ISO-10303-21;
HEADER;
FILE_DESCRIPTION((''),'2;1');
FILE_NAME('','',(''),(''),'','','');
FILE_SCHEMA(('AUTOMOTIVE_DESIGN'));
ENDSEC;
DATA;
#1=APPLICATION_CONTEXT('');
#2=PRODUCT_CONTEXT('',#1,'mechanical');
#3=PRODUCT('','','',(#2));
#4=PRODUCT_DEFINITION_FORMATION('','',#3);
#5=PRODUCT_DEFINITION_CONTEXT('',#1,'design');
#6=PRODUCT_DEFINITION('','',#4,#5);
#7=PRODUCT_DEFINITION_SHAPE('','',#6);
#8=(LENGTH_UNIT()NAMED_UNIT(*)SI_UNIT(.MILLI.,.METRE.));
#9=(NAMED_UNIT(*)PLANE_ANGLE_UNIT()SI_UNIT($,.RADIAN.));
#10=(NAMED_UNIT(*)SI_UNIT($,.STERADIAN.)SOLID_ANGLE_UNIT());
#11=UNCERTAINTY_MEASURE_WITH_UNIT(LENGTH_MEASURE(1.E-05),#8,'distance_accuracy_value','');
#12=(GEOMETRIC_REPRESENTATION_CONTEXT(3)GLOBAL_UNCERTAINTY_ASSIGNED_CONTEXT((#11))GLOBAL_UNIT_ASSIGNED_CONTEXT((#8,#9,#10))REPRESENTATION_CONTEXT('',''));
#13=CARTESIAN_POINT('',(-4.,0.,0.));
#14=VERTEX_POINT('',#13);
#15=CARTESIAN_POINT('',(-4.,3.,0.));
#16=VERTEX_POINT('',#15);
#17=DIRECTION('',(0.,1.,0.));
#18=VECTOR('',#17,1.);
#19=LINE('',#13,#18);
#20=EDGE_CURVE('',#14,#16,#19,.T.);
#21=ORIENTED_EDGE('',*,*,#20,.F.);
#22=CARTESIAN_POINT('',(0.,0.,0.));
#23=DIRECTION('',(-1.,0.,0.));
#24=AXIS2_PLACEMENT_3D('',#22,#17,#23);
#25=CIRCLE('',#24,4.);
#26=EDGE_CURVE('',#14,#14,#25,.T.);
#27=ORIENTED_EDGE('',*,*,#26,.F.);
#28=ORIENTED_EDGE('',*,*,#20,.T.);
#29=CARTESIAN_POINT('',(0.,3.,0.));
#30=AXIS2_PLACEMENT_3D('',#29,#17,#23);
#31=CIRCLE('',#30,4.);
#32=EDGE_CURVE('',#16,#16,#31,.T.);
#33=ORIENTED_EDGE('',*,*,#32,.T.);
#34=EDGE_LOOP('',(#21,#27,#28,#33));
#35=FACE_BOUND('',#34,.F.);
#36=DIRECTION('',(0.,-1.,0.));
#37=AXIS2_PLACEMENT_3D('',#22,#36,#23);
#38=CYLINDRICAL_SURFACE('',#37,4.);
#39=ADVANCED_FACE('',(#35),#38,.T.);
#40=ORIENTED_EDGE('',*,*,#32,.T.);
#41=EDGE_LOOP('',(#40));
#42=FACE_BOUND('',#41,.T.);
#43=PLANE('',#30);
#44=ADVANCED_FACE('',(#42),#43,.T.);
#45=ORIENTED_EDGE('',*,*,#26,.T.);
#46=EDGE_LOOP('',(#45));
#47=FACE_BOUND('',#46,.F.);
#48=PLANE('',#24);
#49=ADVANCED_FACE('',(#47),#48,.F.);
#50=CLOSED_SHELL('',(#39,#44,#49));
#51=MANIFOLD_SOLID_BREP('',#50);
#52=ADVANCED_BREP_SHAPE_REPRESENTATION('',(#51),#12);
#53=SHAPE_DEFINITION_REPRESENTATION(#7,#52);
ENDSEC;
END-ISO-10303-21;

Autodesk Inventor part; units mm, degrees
ref_plane "YZ Plane" through (0, 0, 0) normal (1, 0, 0) x (0, 1, 0)
ref_plane "XZ Plane" through (0, 0, 0) normal (0, 1, 0) x (-1, 0, 0)
ref_plane "XY Plane" through (0, 0, 0) normal (0, 0, 1) x (1, 0, 0)
sketch "Skizze1" plane through (0, 0, 0) normal (0, 1, 0) x (-1, 0, 0)
  circle A0 centre (0, 0) radius 4
  dimension "d0" = 8
extrude "Extrusion1" add sketch "Skizze1" along normal blind 3
properties part number "00_Magnet_8x3mm"
